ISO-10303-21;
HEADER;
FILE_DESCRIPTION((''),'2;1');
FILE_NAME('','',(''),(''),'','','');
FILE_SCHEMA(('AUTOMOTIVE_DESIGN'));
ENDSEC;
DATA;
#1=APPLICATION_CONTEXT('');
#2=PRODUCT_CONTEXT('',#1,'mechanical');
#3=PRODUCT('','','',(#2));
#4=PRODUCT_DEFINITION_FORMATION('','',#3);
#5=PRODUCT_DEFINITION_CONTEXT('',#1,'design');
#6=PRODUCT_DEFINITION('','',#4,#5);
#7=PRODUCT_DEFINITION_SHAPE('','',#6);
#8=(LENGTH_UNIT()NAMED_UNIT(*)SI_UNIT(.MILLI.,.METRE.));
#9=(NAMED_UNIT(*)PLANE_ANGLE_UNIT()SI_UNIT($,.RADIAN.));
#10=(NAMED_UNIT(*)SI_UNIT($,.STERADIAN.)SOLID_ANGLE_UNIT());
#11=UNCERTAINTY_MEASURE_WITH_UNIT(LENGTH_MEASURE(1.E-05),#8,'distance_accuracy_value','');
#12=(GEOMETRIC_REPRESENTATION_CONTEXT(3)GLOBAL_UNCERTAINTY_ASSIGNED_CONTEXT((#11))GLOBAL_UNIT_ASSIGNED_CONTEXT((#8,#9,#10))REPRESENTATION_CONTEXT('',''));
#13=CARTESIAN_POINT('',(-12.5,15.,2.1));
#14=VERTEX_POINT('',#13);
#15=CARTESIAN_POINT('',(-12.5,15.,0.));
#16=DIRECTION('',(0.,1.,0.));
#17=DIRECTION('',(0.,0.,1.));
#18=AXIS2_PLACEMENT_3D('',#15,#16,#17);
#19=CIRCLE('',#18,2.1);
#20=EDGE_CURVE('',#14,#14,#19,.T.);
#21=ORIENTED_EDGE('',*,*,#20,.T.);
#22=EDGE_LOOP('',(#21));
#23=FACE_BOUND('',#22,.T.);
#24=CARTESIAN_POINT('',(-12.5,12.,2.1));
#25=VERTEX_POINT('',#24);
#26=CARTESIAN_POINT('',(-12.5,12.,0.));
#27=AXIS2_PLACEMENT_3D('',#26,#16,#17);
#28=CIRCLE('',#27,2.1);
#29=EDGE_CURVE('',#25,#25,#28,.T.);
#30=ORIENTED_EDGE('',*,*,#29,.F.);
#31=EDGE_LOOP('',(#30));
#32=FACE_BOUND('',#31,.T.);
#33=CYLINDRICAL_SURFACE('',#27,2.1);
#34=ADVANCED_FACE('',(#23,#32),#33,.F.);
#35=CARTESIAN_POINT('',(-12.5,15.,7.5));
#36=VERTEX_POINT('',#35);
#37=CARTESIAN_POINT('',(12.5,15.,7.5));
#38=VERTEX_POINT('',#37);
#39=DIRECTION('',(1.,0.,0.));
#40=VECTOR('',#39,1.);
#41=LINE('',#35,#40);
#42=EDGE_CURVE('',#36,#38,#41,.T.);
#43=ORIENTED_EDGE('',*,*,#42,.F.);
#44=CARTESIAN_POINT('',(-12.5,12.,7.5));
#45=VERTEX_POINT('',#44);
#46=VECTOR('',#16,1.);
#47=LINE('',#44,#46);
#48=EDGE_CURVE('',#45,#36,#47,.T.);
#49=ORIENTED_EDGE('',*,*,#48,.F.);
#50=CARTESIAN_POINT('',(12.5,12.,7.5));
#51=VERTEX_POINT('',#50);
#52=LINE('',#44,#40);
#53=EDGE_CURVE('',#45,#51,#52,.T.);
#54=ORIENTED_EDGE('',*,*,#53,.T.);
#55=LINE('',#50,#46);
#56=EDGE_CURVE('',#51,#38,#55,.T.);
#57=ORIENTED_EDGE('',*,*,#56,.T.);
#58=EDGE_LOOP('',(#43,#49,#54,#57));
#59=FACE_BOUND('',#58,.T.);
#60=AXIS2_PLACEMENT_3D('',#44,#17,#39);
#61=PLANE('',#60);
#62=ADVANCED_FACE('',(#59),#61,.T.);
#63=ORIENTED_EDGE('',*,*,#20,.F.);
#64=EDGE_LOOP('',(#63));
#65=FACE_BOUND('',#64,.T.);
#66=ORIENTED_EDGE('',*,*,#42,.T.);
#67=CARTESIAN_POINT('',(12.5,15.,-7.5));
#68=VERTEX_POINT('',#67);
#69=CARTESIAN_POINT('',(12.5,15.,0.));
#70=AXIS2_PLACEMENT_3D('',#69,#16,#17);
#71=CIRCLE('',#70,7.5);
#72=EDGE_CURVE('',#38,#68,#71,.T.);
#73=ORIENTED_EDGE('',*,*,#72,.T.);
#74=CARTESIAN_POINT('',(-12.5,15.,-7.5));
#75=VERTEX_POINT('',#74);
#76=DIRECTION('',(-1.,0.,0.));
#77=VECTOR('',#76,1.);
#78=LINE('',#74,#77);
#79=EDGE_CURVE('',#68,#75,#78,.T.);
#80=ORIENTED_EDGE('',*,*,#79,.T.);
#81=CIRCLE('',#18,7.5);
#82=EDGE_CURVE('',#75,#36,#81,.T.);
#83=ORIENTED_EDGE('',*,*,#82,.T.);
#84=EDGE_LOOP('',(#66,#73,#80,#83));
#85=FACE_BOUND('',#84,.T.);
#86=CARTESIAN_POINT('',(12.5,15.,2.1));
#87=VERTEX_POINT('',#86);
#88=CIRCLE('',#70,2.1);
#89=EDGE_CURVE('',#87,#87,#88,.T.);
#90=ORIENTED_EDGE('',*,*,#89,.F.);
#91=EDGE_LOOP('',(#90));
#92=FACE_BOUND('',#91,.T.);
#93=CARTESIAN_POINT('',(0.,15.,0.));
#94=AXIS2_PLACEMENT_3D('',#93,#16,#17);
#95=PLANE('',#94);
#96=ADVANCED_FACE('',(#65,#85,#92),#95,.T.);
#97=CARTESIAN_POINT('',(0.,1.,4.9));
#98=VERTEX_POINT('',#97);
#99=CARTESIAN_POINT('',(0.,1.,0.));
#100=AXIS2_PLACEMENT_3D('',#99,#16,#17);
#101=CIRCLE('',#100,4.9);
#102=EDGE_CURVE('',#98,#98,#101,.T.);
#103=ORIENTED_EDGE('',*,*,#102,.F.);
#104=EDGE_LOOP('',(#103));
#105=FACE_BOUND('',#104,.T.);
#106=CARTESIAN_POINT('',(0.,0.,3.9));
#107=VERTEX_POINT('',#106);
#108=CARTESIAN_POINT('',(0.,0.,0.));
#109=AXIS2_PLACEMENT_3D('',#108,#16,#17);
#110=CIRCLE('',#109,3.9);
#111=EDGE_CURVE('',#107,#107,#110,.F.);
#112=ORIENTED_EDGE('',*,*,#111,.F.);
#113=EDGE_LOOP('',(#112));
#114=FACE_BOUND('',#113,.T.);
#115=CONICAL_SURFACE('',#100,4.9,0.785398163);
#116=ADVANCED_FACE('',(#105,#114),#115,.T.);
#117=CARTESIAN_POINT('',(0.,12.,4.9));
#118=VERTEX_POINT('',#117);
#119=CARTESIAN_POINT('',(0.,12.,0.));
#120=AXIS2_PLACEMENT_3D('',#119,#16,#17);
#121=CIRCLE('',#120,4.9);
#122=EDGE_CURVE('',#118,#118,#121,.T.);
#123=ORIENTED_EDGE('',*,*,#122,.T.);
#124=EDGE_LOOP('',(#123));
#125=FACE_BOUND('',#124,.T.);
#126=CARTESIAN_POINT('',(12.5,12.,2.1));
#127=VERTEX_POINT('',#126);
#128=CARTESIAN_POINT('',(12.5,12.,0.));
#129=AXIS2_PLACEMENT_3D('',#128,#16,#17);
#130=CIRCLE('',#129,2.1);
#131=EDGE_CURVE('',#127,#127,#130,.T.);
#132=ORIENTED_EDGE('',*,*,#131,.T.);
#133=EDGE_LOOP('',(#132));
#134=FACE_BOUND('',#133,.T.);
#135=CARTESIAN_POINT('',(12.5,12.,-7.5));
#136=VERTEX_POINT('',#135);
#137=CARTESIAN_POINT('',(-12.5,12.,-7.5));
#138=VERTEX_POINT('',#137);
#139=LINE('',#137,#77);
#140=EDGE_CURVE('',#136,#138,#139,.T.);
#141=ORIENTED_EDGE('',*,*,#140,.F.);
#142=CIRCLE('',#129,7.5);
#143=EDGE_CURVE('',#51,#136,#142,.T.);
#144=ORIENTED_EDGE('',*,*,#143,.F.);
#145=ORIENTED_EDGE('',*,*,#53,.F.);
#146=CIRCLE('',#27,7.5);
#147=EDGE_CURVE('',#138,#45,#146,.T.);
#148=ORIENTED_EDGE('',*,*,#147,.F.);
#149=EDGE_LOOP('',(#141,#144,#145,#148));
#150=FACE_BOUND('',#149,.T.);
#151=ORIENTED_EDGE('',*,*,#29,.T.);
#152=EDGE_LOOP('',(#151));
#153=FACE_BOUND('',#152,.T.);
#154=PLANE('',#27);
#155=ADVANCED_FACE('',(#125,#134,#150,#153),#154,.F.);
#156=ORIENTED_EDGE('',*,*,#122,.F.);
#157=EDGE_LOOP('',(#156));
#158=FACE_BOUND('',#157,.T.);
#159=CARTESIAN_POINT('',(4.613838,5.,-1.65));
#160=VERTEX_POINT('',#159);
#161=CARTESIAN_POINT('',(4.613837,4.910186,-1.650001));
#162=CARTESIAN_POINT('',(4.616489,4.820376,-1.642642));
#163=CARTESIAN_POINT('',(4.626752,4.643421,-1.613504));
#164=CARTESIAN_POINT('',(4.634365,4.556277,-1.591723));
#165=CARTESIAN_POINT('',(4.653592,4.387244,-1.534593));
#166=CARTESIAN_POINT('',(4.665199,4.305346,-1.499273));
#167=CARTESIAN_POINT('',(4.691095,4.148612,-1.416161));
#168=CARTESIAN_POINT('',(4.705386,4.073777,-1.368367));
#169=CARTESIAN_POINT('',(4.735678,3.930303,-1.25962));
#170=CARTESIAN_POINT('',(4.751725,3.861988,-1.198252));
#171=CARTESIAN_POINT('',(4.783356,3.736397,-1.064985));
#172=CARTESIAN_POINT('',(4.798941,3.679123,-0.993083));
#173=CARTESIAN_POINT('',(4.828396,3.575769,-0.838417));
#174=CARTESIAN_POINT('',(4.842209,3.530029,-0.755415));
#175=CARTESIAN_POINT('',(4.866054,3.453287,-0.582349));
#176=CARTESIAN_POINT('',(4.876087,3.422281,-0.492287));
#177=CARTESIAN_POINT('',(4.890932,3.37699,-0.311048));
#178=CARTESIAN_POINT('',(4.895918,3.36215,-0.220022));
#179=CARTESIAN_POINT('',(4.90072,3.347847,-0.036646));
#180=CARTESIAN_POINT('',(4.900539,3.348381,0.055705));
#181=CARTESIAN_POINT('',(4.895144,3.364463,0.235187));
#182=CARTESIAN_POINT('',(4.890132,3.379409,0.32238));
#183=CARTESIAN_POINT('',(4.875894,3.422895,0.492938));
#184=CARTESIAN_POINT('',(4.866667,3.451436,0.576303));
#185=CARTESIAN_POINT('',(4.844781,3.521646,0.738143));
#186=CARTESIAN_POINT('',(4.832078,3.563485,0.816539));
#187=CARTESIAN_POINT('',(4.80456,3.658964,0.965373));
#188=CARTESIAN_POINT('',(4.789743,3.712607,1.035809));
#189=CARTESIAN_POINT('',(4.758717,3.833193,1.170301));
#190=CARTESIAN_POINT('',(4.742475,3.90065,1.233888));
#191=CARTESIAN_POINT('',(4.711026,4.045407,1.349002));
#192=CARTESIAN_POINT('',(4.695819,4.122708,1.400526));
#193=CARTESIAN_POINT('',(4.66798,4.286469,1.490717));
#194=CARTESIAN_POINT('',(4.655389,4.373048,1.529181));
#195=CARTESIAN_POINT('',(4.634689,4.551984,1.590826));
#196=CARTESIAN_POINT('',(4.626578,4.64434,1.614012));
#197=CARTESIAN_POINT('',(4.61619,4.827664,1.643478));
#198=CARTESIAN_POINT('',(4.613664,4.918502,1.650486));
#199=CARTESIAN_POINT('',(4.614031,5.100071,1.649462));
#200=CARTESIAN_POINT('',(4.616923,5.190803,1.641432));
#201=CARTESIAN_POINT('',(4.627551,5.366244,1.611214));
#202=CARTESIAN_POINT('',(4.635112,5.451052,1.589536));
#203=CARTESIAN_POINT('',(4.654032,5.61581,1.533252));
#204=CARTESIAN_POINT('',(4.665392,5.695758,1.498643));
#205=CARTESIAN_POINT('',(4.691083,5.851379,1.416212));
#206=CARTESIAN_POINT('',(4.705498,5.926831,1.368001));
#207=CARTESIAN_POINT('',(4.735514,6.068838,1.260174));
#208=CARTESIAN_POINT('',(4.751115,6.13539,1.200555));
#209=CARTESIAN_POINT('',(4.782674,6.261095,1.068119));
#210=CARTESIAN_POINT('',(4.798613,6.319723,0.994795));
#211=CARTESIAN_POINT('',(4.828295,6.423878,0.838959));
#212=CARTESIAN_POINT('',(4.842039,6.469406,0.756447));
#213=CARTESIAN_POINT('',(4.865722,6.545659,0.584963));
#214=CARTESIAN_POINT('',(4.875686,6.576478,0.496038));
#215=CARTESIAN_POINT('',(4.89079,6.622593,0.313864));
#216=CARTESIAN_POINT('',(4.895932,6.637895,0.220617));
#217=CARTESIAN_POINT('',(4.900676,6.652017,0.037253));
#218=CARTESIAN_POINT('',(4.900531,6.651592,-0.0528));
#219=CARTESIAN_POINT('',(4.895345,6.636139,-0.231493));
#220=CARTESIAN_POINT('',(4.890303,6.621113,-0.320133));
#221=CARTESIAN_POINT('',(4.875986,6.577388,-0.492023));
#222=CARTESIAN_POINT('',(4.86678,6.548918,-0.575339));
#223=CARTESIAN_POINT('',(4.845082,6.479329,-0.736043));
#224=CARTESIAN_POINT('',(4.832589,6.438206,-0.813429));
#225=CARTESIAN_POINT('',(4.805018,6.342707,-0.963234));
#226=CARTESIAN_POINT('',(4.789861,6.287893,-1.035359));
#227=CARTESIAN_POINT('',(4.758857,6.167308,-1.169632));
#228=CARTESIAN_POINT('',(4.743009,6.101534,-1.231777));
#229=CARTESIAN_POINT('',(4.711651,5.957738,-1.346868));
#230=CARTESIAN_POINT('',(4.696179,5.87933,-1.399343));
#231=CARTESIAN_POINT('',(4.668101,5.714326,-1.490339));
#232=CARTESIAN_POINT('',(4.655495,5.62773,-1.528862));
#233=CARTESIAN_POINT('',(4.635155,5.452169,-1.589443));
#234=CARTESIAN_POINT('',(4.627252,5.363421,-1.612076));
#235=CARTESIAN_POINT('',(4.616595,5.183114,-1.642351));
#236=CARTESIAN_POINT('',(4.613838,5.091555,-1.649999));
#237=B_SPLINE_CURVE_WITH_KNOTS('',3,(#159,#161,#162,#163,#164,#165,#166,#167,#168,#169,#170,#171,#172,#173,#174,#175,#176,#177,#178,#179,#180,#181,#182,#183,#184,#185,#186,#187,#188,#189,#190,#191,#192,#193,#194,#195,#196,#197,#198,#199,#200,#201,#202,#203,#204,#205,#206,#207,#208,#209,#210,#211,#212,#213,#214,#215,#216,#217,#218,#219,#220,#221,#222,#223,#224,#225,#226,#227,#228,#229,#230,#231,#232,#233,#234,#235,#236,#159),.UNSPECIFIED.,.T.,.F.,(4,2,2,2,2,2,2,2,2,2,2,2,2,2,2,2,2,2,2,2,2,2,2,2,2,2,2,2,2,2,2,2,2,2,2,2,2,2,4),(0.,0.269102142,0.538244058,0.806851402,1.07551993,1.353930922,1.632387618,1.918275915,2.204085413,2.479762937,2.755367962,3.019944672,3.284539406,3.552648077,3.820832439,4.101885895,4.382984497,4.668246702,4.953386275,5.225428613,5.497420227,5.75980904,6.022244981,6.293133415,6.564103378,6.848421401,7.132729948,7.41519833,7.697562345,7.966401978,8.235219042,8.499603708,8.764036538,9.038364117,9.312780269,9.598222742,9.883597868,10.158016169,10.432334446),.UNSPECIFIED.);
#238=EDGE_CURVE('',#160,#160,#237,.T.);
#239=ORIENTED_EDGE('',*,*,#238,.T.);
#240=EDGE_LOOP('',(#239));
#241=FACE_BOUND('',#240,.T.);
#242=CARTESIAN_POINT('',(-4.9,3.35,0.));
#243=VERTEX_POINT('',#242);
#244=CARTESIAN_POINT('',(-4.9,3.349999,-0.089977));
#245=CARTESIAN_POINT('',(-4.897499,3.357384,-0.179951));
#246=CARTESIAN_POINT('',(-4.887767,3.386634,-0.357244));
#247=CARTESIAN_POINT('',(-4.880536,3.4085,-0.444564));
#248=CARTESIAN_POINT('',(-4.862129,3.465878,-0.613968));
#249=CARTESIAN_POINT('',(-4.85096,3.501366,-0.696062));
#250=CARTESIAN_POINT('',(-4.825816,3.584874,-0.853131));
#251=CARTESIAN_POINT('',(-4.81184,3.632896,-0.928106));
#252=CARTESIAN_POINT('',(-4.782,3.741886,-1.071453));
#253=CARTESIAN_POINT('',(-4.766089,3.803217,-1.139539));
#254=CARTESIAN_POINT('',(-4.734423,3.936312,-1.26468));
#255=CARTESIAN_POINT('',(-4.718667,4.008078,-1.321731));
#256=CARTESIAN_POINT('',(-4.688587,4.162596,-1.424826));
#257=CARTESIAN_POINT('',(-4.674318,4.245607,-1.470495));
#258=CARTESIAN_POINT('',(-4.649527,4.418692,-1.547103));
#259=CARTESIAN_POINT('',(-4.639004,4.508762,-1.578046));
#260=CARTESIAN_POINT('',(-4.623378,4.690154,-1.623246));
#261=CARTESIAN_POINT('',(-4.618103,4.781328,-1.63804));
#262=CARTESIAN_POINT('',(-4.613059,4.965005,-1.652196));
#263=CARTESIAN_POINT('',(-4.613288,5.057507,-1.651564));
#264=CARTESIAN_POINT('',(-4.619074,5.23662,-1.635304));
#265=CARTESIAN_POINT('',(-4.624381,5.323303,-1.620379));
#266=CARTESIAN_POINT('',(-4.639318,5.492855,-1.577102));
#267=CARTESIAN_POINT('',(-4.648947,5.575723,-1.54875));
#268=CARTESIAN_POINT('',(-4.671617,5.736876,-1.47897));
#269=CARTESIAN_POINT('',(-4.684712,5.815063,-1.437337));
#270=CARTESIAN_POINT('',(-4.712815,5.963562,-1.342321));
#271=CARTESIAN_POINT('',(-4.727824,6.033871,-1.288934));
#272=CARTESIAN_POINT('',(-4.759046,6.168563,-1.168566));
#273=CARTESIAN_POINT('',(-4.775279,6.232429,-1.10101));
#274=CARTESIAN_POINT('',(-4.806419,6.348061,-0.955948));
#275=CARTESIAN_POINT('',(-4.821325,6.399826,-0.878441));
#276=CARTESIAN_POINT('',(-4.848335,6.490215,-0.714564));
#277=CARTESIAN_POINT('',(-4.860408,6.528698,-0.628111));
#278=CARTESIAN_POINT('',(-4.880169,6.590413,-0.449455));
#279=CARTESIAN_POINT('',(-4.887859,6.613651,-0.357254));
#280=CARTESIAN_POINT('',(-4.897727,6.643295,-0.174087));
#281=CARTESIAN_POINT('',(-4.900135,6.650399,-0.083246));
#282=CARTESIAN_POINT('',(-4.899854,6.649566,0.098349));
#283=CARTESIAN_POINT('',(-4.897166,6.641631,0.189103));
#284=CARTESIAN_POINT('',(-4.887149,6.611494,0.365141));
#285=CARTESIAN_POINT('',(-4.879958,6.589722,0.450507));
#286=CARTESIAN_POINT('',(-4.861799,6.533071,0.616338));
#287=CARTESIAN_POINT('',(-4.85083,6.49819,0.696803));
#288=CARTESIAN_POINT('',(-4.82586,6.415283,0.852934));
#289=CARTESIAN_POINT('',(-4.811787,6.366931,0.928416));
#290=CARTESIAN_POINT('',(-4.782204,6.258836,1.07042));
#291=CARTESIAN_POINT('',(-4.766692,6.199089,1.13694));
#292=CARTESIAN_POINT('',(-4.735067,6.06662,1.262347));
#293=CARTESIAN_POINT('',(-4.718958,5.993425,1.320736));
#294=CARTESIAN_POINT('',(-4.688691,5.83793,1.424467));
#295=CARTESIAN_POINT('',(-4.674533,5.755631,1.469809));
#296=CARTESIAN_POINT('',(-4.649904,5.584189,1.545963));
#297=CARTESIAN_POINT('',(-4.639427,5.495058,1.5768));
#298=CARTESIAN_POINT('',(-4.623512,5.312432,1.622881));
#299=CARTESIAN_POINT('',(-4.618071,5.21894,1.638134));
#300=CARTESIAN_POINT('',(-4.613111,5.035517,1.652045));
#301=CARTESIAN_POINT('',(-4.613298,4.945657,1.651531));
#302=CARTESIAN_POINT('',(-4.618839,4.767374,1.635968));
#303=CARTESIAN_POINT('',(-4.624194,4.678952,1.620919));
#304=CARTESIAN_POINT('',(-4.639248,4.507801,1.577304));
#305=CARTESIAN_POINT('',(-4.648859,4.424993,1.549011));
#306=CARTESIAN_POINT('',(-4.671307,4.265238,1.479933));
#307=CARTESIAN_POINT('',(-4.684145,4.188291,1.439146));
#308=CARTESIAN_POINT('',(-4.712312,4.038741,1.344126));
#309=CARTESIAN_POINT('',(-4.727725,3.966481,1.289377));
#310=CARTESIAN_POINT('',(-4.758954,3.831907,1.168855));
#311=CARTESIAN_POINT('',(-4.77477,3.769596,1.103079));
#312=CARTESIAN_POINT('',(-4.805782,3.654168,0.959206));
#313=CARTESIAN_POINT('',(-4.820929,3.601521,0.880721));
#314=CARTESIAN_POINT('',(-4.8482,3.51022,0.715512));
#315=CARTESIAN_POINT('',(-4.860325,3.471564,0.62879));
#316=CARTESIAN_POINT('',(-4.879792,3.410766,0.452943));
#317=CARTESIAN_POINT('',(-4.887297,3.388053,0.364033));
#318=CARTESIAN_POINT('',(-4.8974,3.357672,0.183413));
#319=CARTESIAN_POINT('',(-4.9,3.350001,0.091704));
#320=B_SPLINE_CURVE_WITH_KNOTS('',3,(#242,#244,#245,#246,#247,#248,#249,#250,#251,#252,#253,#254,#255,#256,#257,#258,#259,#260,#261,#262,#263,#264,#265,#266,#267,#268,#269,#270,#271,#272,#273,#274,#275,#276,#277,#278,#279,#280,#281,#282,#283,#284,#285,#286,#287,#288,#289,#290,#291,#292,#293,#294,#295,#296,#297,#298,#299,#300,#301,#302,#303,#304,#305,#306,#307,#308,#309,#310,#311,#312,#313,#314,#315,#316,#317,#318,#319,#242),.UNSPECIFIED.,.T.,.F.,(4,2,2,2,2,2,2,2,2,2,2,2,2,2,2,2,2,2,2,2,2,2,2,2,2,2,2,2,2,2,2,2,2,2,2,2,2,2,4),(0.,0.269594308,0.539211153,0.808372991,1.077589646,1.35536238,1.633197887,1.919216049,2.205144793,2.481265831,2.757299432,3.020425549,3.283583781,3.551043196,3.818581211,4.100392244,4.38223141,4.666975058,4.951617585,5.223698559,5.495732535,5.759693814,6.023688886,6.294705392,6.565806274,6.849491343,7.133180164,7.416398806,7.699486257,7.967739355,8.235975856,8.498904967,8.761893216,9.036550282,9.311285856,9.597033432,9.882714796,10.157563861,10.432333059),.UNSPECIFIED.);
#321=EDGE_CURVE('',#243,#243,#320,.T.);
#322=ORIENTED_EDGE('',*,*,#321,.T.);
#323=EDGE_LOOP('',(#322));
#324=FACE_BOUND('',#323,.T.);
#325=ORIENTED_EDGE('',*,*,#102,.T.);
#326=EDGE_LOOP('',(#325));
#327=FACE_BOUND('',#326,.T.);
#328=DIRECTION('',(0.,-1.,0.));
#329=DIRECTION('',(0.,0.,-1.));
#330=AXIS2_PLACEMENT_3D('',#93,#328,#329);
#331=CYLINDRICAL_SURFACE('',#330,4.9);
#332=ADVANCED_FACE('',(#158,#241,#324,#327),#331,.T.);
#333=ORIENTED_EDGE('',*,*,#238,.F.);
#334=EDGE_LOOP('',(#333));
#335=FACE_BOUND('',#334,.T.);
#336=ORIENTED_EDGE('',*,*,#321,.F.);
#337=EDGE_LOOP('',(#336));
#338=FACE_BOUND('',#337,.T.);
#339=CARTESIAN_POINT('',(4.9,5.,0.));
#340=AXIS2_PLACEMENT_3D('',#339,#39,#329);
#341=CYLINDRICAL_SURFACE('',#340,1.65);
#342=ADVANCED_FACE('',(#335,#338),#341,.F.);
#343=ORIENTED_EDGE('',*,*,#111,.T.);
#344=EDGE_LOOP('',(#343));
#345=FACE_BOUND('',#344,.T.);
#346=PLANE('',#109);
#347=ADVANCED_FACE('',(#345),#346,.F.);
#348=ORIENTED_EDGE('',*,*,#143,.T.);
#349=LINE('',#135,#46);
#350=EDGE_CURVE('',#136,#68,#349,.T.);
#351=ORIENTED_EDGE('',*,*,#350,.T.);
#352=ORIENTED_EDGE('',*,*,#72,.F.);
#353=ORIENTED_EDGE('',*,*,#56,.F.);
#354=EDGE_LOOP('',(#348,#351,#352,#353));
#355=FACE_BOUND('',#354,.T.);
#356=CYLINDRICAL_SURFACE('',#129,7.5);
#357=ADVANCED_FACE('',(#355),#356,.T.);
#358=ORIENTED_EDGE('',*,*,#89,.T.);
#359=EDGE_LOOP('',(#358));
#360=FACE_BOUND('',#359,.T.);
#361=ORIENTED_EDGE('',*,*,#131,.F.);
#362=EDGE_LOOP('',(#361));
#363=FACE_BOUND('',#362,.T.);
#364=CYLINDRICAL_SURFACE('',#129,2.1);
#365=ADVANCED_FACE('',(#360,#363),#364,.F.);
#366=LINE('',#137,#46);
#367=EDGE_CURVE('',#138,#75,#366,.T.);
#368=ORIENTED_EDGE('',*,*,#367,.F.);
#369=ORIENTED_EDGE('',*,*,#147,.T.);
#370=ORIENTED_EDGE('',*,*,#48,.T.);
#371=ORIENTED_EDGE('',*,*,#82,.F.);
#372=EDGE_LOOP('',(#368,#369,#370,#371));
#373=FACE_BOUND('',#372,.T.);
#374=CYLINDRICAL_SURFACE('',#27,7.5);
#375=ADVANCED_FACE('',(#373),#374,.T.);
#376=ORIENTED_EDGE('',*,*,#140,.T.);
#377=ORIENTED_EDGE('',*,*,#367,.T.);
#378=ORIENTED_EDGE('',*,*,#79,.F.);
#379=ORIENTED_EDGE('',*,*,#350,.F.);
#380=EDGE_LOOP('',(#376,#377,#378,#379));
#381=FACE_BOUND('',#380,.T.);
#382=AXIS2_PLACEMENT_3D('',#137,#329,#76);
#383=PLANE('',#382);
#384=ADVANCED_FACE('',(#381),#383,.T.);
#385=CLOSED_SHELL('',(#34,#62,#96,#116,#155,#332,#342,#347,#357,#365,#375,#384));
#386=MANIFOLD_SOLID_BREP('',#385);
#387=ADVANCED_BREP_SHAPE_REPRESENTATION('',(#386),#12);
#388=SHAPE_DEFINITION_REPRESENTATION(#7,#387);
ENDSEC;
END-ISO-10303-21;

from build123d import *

# Parameters (mm, degrees)
SKETCH_1_R         = 4.9
EXTRUDE_1_DEPTH    = 15
HOLE_WIZARD_M4_1_D = 3.3
CHAMFER_1_SIZE     = 1
SKETCH_6_R         = 2.1
EXTRUDE_2_DEPTH    = 3


with BuildPart() as part:
    # 草图1 → 凸台-拉伸1 (new body)
    with BuildSketch(Plane(origin=(0, 0, 0), x_dir=(1, 0, 0), z_dir=(0, 1, 0))):
        with Locations(Location((0, 0, 0), (0, 0, 270))):
            Circle(SKETCH_1_R)
    extrude(amount=EXTRUDE_1_DEPTH)

    # M4 螺纹孔1 (through all)
    with Locations(Plane(origin=(4.9, 0, 0), x_dir=(0, 0, -1), z_dir=(1, 0, 0))):
        with Locations((0, 5)):
            Hole(HOLE_WIZARD_M4_1_D / 2)

    # 倒角1
    chamfer_1_edges = [part.edges().sort_by_distance(p)[0] for p in [
        (0, 0, -4.9),
    ]]
    chamfer(chamfer_1_edges, length=CHAMFER_1_SIZE)

    # 草图6 → 凸台-拉伸2 (add)
    with BuildSketch(Plane(origin=(0, 15, 0), x_dir=(1, 0, 0), z_dir=(0, 1, 0))):
        with BuildLine():
            Line((-12.5, 7.5), (12.5, 7.5))
            ThreePointArc((12.5, 7.5), (20, 0), (12.5, -7.5))
            Line((12.5, -7.5), (-12.5, -7.5))
            ThreePointArc((-12.5, -7.5), (-20, 0), (-12.5, 7.5))
        make_face()
        with Locations(Location((-12.5, 0, 0), (0, 0, 270))):
            Circle(SKETCH_6_R, mode=Mode.SUBTRACT)
        with Locations(Location((12.5, 0, 0), (0, 0, 270))):
            Circle(SKETCH_6_R, mode=Mode.SUBTRACT)
    extrude(amount=-EXTRUDE_2_DEPTH)


solid = part.part
